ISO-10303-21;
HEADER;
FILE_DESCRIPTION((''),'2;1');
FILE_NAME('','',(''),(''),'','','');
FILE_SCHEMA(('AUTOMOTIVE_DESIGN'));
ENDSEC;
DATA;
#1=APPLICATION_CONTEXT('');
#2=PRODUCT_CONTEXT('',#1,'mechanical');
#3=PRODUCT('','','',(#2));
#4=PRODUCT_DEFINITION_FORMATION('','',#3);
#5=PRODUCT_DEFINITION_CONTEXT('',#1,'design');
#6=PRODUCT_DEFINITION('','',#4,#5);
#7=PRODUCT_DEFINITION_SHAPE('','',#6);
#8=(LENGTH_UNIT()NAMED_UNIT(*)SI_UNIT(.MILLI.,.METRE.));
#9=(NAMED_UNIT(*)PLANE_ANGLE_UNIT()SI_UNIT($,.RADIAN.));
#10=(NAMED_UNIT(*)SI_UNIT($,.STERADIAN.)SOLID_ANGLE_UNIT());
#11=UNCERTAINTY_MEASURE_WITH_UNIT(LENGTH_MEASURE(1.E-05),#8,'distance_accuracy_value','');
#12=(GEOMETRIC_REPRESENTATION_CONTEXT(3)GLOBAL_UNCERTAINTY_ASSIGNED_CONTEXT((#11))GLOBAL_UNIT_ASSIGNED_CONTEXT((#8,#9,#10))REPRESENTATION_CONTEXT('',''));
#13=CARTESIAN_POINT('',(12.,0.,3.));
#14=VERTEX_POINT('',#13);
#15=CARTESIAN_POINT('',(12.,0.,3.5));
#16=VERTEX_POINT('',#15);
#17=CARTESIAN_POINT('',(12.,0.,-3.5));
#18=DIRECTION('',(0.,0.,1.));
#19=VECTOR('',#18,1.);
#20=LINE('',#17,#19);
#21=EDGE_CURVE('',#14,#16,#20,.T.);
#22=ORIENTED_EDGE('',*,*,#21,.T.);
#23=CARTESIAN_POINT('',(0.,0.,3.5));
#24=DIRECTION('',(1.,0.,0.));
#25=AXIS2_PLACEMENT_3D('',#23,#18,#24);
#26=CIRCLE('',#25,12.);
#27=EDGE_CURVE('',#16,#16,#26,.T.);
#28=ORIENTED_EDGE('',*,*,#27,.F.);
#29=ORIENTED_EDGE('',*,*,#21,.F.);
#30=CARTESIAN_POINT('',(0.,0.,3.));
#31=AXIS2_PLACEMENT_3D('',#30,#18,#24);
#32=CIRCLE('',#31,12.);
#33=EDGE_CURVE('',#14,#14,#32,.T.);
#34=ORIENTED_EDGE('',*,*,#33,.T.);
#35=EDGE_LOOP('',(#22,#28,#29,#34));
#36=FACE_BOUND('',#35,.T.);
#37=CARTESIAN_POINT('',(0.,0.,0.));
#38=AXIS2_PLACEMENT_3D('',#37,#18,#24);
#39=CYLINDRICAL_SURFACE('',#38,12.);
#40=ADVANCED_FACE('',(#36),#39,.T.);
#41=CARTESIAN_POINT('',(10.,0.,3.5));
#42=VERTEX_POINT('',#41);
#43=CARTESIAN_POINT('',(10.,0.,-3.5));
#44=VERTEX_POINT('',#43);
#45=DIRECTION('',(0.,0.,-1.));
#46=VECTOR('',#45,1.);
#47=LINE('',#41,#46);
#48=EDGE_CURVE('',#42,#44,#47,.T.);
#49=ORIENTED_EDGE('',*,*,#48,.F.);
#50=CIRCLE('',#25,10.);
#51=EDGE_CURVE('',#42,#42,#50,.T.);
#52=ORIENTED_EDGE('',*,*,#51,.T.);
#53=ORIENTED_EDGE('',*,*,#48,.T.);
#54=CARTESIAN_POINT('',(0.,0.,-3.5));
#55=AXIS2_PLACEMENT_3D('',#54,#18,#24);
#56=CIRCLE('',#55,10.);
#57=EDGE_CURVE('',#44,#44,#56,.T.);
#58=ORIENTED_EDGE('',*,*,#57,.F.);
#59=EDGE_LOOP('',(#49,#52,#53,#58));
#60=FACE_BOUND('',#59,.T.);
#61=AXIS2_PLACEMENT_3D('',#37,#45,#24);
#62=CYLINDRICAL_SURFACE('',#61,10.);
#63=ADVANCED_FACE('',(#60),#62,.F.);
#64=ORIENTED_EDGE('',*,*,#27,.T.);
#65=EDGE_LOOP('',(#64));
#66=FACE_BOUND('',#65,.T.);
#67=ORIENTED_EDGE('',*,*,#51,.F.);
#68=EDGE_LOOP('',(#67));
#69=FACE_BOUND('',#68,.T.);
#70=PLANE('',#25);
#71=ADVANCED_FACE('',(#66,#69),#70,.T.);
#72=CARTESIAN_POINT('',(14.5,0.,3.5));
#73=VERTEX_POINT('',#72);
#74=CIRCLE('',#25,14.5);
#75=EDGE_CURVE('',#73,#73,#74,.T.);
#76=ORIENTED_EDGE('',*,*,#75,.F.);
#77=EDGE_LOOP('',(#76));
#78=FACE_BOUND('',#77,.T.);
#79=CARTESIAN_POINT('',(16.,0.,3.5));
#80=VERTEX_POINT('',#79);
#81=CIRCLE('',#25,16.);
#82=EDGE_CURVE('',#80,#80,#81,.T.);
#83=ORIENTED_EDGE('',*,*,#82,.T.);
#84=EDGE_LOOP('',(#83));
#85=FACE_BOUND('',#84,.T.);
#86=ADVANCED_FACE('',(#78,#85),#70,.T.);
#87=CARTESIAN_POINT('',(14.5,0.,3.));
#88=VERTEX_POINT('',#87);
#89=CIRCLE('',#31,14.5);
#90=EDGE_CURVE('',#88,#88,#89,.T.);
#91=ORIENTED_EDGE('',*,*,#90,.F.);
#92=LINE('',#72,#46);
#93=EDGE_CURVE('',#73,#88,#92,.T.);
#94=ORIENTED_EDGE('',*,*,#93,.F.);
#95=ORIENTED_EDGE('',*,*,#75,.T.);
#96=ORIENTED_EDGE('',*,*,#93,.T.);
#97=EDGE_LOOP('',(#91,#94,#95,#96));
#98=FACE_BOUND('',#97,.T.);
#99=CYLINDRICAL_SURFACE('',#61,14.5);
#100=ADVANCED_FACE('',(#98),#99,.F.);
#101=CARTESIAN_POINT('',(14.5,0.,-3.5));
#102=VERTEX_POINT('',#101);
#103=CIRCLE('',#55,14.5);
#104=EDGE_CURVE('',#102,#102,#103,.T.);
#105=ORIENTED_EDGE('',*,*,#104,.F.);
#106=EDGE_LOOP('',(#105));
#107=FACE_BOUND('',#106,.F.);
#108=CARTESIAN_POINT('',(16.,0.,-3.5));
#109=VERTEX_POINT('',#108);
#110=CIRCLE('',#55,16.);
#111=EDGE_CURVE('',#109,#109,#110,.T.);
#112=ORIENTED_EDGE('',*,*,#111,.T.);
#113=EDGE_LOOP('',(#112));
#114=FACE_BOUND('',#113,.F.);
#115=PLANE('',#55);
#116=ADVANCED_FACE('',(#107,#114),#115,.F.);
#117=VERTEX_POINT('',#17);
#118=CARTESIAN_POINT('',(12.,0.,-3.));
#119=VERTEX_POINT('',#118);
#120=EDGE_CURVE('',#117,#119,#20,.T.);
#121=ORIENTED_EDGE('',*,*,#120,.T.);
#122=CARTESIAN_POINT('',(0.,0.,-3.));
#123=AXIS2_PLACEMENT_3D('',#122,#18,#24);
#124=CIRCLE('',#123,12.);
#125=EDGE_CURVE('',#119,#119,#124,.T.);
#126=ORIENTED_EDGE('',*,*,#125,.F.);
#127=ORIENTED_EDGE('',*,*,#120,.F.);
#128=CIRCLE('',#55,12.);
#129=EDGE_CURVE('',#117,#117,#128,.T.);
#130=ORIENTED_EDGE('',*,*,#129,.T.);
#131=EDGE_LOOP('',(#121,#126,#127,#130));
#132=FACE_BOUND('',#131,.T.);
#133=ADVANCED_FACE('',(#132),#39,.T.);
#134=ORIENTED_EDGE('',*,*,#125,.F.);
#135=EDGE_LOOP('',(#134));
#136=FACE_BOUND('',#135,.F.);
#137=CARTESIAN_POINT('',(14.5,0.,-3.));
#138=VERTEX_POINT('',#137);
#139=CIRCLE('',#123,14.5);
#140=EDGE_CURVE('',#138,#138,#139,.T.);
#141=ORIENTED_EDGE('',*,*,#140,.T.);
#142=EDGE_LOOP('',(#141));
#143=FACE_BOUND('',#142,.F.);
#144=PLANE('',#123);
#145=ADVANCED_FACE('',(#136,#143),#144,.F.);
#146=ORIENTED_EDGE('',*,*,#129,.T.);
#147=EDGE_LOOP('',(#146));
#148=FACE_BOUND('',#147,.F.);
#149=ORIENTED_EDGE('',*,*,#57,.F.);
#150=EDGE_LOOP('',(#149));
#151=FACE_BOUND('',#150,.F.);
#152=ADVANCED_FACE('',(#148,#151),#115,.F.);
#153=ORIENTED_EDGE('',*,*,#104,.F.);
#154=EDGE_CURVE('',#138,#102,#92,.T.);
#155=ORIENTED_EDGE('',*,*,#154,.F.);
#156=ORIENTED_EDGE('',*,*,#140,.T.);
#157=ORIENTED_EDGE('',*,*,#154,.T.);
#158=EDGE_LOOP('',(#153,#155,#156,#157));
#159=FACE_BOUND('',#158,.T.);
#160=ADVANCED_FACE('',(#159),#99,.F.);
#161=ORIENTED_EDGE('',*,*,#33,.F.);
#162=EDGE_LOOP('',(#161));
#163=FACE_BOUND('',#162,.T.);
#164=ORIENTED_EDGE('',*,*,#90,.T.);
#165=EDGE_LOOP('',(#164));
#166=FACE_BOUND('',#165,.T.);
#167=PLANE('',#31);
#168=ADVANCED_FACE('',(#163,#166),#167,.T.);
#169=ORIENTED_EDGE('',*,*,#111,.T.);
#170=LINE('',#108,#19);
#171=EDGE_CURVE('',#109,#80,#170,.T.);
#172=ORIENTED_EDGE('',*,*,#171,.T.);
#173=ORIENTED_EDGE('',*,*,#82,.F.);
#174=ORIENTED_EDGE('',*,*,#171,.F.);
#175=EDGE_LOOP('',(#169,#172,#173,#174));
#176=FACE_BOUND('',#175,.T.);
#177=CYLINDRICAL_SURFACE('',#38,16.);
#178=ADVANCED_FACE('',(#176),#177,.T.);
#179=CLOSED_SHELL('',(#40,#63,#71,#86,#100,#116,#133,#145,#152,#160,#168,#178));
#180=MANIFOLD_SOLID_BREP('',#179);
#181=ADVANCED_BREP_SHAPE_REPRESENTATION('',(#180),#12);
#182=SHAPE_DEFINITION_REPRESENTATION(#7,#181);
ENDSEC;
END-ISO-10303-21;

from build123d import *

# Parameters (mm, degrees)
SKETCH_R      = 16
SKETCH_R_2    = 14.5
PAD_DEPTH     = 3.5
SKETCH001_R   = 14.5
SKETCH001_R_2 = 12
PAD001_DEPTH  = 3
SKETCH002_R   = 12
SKETCH002_R_2 = 10
PAD002_DEPTH  = 3.5


with BuildPart() as part:
    # Sketch → Pad (new body, symmetric)
    with BuildSketch(Plane.XY):
        Circle(SKETCH_R)
        Circle(SKETCH_R_2, mode=Mode.SUBTRACT)
    extrude(amount=PAD_DEPTH, both=True)

    # Sketch001 → Pad001 (join, symmetric)
    with BuildSketch(Plane.XY):
        Circle(SKETCH001_R)
        Circle(SKETCH001_R_2, mode=Mode.SUBTRACT)
    extrude(amount=PAD001_DEPTH, both=True)

    # Sketch002 → Pad002 (join, symmetric)
    with BuildSketch(Plane.XY):
        Circle(SKETCH002_R)
        Circle(SKETCH002_R_2, mode=Mode.SUBTRACT)
    extrude(amount=PAD002_DEPTH, both=True)


solid = part.part
